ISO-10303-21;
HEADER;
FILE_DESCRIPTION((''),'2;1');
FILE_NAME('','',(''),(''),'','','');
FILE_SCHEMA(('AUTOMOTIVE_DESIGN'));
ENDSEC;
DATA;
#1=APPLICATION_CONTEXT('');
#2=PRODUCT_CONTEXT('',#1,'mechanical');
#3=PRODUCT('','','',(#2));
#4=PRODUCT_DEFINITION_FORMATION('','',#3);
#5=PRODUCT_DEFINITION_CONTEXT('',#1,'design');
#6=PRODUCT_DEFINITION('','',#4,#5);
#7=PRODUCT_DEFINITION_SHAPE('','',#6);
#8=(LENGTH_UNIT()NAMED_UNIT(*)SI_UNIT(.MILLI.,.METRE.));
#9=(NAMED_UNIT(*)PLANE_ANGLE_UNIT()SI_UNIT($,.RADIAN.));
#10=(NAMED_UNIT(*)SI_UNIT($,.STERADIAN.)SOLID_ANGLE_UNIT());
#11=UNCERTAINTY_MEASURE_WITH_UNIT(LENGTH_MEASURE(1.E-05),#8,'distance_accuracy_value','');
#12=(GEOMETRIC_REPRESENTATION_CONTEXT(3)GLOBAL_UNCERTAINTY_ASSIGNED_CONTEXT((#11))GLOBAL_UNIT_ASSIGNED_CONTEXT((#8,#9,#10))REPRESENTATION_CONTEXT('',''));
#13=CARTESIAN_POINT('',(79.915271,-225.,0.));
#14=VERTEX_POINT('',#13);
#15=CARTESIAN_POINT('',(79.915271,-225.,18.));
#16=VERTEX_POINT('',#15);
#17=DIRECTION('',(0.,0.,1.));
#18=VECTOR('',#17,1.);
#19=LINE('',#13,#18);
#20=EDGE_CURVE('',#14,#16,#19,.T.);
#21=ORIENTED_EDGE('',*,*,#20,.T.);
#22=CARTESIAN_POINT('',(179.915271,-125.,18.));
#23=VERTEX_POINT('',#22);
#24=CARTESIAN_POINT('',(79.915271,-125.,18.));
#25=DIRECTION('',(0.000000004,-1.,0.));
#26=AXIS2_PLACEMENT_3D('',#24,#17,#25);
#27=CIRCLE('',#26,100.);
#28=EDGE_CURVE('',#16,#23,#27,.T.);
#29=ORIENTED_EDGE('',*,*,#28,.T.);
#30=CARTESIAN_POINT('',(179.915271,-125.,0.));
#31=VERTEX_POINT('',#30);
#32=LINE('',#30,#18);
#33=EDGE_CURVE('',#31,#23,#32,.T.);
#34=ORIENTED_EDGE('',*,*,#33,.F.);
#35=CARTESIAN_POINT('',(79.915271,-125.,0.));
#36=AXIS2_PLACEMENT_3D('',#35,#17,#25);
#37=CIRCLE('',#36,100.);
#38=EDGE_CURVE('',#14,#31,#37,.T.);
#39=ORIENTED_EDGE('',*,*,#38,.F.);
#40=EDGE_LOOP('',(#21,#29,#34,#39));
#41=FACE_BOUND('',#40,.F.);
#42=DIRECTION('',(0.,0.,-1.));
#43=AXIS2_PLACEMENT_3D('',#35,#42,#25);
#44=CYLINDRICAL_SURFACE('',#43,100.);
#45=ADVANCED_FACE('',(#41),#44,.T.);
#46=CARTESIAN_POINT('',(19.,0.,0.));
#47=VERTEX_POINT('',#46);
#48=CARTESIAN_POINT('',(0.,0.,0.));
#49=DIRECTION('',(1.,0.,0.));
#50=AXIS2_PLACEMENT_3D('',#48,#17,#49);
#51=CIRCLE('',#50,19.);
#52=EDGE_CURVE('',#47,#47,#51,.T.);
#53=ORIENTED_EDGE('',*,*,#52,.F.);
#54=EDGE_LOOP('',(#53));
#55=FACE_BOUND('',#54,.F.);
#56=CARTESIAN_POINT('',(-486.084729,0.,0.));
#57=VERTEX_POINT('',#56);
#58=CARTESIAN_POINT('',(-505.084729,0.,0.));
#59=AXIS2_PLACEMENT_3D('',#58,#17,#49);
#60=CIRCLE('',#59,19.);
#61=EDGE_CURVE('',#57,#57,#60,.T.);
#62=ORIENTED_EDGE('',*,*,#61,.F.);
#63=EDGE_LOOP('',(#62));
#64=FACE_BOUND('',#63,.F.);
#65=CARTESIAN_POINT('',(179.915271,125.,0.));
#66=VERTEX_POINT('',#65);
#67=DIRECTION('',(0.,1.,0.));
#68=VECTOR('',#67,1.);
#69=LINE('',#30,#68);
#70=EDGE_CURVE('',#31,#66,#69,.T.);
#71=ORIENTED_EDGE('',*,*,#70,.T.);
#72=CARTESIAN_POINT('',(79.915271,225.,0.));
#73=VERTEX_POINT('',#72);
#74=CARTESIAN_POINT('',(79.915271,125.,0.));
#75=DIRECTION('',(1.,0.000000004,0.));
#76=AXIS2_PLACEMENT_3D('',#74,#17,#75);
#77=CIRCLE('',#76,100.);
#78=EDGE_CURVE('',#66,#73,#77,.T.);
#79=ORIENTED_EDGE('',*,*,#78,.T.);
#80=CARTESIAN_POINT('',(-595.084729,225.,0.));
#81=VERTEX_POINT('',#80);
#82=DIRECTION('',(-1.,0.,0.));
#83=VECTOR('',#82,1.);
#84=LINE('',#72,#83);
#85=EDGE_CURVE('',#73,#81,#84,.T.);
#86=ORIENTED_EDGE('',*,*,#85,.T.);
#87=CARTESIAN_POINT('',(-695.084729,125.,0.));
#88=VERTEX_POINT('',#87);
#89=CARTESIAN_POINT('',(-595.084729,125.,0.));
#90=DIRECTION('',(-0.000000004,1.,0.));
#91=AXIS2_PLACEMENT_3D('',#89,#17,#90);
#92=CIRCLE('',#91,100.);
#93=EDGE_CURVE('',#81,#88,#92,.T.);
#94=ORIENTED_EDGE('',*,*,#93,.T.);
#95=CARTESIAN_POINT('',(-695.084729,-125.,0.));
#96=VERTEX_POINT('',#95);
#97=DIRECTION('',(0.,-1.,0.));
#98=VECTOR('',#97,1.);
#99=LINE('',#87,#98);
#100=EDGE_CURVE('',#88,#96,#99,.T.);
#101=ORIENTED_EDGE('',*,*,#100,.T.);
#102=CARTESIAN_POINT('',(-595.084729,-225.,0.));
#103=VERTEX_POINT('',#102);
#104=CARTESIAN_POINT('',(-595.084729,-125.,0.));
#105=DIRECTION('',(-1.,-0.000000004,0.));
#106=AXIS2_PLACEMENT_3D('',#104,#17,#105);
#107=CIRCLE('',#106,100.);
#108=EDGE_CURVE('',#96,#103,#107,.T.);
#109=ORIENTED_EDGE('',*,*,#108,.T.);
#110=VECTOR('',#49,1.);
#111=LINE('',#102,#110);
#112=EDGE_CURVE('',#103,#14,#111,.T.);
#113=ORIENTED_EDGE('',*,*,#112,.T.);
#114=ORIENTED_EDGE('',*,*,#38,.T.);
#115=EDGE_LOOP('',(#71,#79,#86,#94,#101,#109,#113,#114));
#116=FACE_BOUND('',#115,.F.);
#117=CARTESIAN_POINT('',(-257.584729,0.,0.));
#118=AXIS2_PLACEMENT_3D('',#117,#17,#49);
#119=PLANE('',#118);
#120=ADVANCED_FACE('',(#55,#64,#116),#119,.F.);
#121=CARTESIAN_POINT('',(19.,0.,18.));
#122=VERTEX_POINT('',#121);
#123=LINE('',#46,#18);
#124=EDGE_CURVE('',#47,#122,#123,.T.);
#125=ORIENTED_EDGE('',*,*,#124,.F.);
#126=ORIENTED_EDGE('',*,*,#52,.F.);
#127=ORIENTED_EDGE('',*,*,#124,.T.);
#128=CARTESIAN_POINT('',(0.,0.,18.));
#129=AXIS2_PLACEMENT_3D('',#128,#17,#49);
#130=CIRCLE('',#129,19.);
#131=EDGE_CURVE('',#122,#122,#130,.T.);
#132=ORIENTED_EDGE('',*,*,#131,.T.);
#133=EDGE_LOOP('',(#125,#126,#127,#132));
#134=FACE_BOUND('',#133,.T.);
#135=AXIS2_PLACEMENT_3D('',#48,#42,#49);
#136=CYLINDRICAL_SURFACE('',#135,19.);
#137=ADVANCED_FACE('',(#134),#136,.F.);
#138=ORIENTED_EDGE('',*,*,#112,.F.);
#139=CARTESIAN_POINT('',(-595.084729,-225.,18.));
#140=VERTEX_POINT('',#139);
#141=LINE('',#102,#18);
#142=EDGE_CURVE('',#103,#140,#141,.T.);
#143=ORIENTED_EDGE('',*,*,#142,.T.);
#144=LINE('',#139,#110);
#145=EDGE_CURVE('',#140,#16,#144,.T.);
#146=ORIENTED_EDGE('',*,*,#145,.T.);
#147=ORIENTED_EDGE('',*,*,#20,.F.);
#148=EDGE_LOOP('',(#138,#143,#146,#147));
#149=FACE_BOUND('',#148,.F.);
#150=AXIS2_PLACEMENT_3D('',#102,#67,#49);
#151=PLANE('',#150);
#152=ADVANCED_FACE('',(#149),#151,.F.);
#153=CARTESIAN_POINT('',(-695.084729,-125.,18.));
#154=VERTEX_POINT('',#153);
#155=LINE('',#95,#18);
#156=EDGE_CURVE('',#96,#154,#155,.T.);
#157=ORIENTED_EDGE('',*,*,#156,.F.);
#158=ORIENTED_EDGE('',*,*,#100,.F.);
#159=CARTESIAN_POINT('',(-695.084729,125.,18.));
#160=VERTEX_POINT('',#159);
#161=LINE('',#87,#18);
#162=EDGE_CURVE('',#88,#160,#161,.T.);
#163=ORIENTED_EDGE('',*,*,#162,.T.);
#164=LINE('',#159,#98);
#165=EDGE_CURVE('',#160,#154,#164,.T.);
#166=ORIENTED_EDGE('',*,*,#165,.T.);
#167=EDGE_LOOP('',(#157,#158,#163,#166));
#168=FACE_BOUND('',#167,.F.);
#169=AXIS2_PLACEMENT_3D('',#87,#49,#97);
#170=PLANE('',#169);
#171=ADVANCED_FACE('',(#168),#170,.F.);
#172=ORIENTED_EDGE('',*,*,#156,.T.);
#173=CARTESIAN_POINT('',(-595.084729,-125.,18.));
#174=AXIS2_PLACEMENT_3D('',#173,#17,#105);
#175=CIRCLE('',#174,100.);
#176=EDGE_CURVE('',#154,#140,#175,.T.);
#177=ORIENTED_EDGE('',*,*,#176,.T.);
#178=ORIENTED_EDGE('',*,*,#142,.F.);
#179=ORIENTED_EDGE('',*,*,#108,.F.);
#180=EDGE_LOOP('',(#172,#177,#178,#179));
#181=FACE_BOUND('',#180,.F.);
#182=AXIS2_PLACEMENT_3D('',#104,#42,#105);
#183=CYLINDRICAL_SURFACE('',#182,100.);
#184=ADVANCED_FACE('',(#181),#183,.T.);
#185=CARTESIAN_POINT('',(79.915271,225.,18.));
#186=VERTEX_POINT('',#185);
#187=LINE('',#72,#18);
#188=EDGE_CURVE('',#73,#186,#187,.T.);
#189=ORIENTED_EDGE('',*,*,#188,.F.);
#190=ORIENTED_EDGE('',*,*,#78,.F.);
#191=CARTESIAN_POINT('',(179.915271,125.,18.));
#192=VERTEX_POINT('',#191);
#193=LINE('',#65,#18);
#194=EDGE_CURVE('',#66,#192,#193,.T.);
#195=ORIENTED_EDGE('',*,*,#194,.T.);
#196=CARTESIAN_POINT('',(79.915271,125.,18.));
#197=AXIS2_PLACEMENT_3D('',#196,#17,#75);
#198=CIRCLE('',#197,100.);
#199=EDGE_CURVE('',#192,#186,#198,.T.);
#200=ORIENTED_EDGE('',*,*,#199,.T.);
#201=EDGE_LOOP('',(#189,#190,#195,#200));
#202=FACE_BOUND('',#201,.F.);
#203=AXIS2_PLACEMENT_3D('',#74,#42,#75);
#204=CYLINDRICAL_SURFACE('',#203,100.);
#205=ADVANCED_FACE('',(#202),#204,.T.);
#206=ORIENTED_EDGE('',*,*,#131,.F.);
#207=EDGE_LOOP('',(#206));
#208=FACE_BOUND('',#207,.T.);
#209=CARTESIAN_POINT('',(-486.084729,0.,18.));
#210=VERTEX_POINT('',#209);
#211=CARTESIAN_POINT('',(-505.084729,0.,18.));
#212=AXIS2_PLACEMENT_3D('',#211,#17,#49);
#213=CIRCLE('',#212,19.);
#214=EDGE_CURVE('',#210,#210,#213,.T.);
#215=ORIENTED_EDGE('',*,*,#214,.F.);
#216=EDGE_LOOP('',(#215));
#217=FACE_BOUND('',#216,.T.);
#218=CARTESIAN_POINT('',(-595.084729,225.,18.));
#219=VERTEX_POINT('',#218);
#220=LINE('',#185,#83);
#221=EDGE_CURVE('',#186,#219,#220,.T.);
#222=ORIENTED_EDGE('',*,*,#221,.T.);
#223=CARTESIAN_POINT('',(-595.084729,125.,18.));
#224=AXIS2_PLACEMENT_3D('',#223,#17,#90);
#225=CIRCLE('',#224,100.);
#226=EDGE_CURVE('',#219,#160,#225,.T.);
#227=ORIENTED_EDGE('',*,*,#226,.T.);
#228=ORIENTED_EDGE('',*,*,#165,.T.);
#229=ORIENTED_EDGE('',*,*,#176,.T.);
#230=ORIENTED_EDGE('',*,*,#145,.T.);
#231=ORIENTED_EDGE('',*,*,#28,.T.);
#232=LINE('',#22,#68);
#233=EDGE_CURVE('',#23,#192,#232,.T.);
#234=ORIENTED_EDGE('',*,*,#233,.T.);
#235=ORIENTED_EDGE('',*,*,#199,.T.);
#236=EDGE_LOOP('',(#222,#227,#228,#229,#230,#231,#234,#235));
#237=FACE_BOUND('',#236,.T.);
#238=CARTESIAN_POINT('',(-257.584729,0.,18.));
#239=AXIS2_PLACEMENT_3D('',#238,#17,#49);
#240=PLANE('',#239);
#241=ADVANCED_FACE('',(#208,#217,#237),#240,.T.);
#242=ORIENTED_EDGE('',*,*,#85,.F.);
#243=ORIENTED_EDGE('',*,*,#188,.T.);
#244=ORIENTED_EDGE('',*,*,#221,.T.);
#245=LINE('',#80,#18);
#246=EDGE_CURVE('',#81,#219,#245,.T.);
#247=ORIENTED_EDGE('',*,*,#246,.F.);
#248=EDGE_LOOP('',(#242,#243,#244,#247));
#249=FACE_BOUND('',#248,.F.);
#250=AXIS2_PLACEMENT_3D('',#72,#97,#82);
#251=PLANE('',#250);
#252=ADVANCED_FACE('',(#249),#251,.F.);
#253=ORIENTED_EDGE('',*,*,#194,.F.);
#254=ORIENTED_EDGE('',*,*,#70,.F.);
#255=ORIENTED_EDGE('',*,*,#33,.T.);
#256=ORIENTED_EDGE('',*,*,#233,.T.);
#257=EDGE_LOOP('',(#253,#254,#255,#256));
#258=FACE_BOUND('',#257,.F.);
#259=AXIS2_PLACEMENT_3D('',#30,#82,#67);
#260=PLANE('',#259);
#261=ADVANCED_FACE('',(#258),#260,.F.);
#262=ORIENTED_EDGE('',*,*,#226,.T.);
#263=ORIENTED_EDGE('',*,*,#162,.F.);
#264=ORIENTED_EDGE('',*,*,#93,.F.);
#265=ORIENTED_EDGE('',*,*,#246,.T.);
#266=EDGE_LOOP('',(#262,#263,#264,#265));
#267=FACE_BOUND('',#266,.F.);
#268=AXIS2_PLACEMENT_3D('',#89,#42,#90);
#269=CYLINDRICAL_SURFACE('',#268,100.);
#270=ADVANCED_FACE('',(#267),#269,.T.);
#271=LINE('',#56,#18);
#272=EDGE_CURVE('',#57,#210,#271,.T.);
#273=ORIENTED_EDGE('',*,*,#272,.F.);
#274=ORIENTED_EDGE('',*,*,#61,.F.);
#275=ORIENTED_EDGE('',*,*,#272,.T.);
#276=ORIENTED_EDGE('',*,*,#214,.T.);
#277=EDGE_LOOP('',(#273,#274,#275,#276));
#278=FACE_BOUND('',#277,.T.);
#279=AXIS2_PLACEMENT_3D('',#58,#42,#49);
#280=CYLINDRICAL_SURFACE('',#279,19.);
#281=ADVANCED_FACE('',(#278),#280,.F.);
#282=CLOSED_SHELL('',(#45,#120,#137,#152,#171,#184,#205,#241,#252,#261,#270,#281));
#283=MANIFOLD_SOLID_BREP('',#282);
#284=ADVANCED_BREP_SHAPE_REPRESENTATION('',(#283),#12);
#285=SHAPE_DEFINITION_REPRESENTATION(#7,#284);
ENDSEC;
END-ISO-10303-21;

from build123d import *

# Parameters (mm, degrees)
F0_R     = 19
F1_DEPTH = 18


with BuildPart() as f1:
    # F0 (on Top) → F1 (new body)
    with BuildSketch(Plane.XY):
        with BuildLine():
            Line((79.915271, 225), (-595.084729, 225))
            ThreePointArc((-595.084729, 225), (-665.795407, 195.710678), (-695.084729, 125))
            Line((-695.084729, 125), (-695.084729, -125))
            ThreePointArc((-695.084729, -125), (-665.795407, -195.710678), (-595.084729, -225))
            Line((-595.084729, -225), (79.915271, -225))
            ThreePointArc((79.915271, -225), (150.625949, -195.710678), (179.915271, -125))
            Line((179.915271, -125), (179.915271, 125))
            ThreePointArc((179.915271, 125), (150.625949, 195.710678), (79.915271, 225))
        make_face()
        with Locations((-505.084729, 0)):
            Circle(F0_R, mode=Mode.SUBTRACT)
        Circle(F0_R, mode=Mode.SUBTRACT)
    extrude(amount=F1_DEPTH)


solid = f1.part
